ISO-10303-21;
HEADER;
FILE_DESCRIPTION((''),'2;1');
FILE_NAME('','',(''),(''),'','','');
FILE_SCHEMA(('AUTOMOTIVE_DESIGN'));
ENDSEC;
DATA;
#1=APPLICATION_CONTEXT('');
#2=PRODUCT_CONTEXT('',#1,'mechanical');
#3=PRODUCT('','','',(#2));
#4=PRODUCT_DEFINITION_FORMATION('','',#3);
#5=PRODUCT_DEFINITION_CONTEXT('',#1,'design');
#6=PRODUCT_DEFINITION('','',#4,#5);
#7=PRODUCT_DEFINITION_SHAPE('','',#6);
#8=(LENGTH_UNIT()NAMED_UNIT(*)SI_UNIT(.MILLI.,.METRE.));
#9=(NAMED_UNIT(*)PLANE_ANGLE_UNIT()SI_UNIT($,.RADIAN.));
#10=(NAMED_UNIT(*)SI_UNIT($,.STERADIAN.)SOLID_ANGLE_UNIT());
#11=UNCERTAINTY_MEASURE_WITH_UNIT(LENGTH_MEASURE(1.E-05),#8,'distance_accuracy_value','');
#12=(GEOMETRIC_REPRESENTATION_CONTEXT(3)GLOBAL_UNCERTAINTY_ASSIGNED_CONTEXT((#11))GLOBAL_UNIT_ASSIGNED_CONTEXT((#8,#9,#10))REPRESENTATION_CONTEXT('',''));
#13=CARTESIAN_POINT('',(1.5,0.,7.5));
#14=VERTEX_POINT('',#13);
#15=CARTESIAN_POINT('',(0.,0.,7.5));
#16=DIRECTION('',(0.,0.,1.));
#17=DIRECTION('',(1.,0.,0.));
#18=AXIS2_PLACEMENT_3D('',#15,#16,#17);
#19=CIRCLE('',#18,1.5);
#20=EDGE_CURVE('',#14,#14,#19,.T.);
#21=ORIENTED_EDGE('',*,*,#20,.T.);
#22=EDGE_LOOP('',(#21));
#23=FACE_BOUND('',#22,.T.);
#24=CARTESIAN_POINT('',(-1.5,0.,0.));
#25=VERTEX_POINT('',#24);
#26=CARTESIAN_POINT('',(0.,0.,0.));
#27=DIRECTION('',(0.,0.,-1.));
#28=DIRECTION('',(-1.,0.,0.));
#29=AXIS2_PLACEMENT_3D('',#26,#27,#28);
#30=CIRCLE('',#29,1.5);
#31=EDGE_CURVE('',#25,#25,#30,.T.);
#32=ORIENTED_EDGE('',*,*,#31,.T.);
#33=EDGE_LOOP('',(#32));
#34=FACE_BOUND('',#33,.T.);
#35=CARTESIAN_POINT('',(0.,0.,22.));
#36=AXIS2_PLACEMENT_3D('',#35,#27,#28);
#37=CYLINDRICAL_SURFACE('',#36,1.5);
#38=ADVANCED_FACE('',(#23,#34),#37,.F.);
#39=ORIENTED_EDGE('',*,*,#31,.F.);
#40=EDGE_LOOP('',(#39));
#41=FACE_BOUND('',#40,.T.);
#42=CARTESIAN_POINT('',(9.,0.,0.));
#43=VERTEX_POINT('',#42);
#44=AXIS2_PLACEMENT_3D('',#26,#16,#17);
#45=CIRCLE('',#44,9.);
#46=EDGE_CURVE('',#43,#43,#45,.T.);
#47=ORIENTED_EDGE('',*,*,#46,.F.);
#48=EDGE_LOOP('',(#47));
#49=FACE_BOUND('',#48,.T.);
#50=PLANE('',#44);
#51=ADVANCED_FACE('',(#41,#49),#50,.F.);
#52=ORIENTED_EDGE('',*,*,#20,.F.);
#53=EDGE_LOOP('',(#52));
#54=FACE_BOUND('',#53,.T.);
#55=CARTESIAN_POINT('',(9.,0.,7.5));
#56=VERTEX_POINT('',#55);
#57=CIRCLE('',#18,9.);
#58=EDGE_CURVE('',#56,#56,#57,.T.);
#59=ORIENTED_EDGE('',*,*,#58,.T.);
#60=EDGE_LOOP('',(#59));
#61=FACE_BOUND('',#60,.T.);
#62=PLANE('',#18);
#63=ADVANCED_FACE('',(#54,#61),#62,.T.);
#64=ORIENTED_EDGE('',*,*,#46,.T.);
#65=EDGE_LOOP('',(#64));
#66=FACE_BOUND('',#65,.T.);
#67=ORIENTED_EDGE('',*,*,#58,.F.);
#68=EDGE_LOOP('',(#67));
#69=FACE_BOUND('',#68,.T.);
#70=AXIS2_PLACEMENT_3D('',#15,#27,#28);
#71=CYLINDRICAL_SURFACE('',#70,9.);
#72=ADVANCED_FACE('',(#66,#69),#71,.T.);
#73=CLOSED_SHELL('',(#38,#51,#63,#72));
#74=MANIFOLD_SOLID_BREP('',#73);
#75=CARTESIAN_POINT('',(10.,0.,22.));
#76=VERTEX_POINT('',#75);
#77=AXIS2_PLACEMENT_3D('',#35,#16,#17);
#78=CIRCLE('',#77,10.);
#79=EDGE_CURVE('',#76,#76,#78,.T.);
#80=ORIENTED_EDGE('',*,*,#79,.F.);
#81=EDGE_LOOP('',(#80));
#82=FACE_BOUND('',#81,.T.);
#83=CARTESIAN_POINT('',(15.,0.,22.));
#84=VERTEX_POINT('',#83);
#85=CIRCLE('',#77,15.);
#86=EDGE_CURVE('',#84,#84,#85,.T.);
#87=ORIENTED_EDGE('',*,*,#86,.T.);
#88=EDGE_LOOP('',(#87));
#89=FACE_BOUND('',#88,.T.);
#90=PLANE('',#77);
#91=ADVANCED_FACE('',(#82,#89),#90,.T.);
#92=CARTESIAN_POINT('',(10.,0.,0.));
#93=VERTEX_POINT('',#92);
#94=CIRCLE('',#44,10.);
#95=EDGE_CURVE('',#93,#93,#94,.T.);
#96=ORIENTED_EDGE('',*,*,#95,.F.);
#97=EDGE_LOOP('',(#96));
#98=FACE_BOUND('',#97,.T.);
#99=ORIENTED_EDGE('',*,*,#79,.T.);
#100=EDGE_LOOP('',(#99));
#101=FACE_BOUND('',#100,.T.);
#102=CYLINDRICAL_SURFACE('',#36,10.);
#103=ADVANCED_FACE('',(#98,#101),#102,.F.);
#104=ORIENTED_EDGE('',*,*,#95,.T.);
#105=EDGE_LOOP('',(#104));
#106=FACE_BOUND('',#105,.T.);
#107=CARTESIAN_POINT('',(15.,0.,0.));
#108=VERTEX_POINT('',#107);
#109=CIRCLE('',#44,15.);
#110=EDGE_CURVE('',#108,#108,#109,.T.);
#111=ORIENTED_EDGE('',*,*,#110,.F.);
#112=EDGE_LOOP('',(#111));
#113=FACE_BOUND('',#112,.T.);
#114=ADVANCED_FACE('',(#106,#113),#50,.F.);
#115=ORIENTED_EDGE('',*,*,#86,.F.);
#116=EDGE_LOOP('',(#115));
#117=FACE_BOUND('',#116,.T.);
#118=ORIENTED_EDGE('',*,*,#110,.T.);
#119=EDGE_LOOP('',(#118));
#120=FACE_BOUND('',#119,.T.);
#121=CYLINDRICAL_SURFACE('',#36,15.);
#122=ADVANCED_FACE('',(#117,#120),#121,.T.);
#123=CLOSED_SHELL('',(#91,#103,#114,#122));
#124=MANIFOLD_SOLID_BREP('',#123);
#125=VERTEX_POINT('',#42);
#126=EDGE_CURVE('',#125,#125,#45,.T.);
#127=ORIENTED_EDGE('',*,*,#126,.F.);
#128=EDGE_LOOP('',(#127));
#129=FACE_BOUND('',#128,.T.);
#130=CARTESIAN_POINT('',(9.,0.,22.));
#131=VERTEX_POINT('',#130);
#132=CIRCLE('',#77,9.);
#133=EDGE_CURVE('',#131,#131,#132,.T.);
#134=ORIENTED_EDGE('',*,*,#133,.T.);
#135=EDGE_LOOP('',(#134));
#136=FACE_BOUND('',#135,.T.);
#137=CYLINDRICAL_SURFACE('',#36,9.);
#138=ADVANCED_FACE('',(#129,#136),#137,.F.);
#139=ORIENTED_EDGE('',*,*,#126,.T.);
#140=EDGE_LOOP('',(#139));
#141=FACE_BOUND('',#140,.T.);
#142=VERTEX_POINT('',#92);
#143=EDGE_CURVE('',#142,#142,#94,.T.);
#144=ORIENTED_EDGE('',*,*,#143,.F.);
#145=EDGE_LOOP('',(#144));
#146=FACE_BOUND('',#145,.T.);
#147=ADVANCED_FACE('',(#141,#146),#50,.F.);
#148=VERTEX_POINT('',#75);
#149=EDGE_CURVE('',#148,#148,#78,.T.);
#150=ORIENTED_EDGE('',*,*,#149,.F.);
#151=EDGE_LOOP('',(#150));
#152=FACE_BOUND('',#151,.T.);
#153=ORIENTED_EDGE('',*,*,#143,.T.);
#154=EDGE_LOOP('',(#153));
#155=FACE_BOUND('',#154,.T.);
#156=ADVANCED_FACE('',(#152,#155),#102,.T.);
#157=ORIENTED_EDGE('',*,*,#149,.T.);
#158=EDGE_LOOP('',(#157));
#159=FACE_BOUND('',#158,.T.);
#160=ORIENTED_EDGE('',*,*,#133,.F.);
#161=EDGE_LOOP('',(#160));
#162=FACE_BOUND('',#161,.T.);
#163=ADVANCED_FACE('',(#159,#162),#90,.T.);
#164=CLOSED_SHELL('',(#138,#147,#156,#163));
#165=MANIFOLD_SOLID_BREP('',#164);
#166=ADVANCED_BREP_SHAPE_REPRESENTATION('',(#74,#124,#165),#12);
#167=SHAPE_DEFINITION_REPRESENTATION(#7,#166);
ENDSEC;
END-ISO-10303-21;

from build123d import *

# Parameters (mm, degrees)
ESQUISSE1_R             = 15
ESQUISSE1_R_2           = 10
BOSS_EXTRU_1_DEPTH      = 22
ESQUISSE1_3_R           = 10
ESQUISSE1_3_R_2         = 9
BOSS_EXTRU_2_DEPTH      = 22
ESQUISSE1_4_R           = 9
BOSS_EXTRU_3_DEPTH      = 7.5
ESQUISSE2_R             = 1.5
ENL_V_MAT_EXTRU_1_DEPTH = 31.56141358


with BuildPart() as part:
    # Esquisse1 → Boss.-Extru.1 (new body)
    with BuildSketch(Plane.XY):
        Circle(ESQUISSE1_R)
        Circle(ESQUISSE1_R_2, mode=Mode.SUBTRACT)
    extrude(amount=BOSS_EXTRU_1_DEPTH)


with BuildPart() as body_2:
    # Esquisse1<3> → Boss.-Extru.2 (new body)
    with BuildSketch(Plane.XY):
        Circle(ESQUISSE1_3_R)
        Circle(ESQUISSE1_3_R_2, mode=Mode.SUBTRACT)
    extrude(amount=BOSS_EXTRU_2_DEPTH)


with BuildPart() as body_3:
    # Esquisse1<4> → Boss.-Extru.3 (new body)
    with BuildSketch(Plane.XY):
        Circle(ESQUISSE1_4_R)
    extrude(amount=BOSS_EXTRU_3_DEPTH)

    # Esquisse2 → Enlèv. mat.-Extru.1 (cut, through all)
    with BuildSketch(Plane(origin=(0, 0, 0), x_dir=(-1, 0, 0), z_dir=(0, 0, -1))):
        Circle(ESQUISSE2_R)
    extrude(amount=-ENL_V_MAT_EXTRU_1_DEPTH, mode=Mode.SUBTRACT)


solid = Compound([part.part, body_2.part, body_3.part])
